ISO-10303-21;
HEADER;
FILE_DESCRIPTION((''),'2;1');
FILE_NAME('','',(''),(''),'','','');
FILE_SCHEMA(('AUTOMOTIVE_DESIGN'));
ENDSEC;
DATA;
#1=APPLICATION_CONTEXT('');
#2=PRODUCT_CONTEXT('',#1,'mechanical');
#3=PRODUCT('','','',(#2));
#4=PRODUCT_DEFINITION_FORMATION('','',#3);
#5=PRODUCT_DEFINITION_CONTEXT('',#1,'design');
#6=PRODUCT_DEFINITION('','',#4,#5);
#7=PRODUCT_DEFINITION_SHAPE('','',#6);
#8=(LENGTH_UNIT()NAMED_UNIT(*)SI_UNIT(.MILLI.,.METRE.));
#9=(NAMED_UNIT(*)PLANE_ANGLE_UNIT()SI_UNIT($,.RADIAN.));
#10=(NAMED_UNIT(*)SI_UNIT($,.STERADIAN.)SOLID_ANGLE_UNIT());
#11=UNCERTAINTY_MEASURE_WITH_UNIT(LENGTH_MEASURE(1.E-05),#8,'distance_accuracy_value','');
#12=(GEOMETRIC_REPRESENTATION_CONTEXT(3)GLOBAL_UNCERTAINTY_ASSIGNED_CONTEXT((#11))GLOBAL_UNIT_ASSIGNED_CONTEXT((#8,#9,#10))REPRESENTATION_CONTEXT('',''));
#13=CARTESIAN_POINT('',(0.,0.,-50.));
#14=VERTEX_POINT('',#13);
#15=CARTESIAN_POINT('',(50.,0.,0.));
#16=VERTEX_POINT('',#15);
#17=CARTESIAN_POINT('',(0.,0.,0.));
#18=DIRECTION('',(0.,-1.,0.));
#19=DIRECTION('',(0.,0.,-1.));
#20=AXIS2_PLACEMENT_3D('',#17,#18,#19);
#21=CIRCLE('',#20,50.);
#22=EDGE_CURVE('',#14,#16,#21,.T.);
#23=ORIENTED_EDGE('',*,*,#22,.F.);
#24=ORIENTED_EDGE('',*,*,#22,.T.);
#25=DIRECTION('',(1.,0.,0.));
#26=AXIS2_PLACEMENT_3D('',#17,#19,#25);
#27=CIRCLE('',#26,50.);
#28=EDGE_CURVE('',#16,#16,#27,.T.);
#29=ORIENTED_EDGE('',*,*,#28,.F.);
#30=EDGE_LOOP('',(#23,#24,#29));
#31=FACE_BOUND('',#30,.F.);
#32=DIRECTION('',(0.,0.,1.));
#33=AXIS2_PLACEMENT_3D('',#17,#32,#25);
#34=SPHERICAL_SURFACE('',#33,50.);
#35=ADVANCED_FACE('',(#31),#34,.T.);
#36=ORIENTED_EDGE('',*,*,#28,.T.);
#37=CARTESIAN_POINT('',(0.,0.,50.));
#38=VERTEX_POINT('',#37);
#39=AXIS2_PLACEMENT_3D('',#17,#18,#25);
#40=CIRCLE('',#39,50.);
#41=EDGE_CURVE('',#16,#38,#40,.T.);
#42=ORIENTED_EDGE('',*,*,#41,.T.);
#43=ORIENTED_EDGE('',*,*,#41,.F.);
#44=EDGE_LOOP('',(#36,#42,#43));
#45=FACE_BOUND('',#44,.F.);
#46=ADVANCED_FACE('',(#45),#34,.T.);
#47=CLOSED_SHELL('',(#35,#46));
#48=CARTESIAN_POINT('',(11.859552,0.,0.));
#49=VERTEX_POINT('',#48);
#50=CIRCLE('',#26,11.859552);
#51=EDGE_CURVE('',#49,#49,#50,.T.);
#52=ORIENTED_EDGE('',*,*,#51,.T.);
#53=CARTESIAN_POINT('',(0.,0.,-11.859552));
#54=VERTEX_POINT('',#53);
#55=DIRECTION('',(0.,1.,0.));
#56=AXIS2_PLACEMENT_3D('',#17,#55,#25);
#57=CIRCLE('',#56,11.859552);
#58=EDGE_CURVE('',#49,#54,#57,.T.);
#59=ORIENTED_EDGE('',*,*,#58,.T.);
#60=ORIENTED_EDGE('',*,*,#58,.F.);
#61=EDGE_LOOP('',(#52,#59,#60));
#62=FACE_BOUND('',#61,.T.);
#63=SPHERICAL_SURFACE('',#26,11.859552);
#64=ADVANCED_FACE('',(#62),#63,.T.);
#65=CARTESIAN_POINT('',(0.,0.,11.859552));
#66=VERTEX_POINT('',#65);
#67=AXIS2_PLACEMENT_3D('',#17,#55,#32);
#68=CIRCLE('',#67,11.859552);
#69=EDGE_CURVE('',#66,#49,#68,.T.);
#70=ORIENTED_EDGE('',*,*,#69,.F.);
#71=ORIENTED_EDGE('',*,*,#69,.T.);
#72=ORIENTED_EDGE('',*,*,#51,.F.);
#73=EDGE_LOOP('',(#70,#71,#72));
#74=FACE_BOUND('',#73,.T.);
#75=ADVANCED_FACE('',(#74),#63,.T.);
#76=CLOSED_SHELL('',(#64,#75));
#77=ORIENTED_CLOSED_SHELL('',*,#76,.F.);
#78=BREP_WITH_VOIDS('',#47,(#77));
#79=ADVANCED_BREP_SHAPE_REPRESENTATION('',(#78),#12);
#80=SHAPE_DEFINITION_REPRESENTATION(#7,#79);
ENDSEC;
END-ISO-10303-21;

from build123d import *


with BuildPart() as f1:
    # F0 (on Front) → F1 (revolve)
    with BuildSketch(Plane.XZ):
        with BuildLine():
            ThreePointArc((0, -50), (35.3553390593, -35.3553390593), (50, 0))
            ThreePointArc((50, 0), (35.3553390593, 35.3553390593), (0, 50))
            Line((0, 50), (0, 11.8595524673))
            ThreePointArc((0, 11.8595524673), (8.3859699715, 8.3859699715), (11.8595524673, 0))
            ThreePointArc((11.8595524673, 0), (8.3859699715, -8.3859699715), (0, -11.8595524673))
            Line((0, -11.8595524673), (0, -50))
        make_face()
    revolve(axis=Axis((0, 0, 0), (0, 0, -1)))


solid = f1.part
